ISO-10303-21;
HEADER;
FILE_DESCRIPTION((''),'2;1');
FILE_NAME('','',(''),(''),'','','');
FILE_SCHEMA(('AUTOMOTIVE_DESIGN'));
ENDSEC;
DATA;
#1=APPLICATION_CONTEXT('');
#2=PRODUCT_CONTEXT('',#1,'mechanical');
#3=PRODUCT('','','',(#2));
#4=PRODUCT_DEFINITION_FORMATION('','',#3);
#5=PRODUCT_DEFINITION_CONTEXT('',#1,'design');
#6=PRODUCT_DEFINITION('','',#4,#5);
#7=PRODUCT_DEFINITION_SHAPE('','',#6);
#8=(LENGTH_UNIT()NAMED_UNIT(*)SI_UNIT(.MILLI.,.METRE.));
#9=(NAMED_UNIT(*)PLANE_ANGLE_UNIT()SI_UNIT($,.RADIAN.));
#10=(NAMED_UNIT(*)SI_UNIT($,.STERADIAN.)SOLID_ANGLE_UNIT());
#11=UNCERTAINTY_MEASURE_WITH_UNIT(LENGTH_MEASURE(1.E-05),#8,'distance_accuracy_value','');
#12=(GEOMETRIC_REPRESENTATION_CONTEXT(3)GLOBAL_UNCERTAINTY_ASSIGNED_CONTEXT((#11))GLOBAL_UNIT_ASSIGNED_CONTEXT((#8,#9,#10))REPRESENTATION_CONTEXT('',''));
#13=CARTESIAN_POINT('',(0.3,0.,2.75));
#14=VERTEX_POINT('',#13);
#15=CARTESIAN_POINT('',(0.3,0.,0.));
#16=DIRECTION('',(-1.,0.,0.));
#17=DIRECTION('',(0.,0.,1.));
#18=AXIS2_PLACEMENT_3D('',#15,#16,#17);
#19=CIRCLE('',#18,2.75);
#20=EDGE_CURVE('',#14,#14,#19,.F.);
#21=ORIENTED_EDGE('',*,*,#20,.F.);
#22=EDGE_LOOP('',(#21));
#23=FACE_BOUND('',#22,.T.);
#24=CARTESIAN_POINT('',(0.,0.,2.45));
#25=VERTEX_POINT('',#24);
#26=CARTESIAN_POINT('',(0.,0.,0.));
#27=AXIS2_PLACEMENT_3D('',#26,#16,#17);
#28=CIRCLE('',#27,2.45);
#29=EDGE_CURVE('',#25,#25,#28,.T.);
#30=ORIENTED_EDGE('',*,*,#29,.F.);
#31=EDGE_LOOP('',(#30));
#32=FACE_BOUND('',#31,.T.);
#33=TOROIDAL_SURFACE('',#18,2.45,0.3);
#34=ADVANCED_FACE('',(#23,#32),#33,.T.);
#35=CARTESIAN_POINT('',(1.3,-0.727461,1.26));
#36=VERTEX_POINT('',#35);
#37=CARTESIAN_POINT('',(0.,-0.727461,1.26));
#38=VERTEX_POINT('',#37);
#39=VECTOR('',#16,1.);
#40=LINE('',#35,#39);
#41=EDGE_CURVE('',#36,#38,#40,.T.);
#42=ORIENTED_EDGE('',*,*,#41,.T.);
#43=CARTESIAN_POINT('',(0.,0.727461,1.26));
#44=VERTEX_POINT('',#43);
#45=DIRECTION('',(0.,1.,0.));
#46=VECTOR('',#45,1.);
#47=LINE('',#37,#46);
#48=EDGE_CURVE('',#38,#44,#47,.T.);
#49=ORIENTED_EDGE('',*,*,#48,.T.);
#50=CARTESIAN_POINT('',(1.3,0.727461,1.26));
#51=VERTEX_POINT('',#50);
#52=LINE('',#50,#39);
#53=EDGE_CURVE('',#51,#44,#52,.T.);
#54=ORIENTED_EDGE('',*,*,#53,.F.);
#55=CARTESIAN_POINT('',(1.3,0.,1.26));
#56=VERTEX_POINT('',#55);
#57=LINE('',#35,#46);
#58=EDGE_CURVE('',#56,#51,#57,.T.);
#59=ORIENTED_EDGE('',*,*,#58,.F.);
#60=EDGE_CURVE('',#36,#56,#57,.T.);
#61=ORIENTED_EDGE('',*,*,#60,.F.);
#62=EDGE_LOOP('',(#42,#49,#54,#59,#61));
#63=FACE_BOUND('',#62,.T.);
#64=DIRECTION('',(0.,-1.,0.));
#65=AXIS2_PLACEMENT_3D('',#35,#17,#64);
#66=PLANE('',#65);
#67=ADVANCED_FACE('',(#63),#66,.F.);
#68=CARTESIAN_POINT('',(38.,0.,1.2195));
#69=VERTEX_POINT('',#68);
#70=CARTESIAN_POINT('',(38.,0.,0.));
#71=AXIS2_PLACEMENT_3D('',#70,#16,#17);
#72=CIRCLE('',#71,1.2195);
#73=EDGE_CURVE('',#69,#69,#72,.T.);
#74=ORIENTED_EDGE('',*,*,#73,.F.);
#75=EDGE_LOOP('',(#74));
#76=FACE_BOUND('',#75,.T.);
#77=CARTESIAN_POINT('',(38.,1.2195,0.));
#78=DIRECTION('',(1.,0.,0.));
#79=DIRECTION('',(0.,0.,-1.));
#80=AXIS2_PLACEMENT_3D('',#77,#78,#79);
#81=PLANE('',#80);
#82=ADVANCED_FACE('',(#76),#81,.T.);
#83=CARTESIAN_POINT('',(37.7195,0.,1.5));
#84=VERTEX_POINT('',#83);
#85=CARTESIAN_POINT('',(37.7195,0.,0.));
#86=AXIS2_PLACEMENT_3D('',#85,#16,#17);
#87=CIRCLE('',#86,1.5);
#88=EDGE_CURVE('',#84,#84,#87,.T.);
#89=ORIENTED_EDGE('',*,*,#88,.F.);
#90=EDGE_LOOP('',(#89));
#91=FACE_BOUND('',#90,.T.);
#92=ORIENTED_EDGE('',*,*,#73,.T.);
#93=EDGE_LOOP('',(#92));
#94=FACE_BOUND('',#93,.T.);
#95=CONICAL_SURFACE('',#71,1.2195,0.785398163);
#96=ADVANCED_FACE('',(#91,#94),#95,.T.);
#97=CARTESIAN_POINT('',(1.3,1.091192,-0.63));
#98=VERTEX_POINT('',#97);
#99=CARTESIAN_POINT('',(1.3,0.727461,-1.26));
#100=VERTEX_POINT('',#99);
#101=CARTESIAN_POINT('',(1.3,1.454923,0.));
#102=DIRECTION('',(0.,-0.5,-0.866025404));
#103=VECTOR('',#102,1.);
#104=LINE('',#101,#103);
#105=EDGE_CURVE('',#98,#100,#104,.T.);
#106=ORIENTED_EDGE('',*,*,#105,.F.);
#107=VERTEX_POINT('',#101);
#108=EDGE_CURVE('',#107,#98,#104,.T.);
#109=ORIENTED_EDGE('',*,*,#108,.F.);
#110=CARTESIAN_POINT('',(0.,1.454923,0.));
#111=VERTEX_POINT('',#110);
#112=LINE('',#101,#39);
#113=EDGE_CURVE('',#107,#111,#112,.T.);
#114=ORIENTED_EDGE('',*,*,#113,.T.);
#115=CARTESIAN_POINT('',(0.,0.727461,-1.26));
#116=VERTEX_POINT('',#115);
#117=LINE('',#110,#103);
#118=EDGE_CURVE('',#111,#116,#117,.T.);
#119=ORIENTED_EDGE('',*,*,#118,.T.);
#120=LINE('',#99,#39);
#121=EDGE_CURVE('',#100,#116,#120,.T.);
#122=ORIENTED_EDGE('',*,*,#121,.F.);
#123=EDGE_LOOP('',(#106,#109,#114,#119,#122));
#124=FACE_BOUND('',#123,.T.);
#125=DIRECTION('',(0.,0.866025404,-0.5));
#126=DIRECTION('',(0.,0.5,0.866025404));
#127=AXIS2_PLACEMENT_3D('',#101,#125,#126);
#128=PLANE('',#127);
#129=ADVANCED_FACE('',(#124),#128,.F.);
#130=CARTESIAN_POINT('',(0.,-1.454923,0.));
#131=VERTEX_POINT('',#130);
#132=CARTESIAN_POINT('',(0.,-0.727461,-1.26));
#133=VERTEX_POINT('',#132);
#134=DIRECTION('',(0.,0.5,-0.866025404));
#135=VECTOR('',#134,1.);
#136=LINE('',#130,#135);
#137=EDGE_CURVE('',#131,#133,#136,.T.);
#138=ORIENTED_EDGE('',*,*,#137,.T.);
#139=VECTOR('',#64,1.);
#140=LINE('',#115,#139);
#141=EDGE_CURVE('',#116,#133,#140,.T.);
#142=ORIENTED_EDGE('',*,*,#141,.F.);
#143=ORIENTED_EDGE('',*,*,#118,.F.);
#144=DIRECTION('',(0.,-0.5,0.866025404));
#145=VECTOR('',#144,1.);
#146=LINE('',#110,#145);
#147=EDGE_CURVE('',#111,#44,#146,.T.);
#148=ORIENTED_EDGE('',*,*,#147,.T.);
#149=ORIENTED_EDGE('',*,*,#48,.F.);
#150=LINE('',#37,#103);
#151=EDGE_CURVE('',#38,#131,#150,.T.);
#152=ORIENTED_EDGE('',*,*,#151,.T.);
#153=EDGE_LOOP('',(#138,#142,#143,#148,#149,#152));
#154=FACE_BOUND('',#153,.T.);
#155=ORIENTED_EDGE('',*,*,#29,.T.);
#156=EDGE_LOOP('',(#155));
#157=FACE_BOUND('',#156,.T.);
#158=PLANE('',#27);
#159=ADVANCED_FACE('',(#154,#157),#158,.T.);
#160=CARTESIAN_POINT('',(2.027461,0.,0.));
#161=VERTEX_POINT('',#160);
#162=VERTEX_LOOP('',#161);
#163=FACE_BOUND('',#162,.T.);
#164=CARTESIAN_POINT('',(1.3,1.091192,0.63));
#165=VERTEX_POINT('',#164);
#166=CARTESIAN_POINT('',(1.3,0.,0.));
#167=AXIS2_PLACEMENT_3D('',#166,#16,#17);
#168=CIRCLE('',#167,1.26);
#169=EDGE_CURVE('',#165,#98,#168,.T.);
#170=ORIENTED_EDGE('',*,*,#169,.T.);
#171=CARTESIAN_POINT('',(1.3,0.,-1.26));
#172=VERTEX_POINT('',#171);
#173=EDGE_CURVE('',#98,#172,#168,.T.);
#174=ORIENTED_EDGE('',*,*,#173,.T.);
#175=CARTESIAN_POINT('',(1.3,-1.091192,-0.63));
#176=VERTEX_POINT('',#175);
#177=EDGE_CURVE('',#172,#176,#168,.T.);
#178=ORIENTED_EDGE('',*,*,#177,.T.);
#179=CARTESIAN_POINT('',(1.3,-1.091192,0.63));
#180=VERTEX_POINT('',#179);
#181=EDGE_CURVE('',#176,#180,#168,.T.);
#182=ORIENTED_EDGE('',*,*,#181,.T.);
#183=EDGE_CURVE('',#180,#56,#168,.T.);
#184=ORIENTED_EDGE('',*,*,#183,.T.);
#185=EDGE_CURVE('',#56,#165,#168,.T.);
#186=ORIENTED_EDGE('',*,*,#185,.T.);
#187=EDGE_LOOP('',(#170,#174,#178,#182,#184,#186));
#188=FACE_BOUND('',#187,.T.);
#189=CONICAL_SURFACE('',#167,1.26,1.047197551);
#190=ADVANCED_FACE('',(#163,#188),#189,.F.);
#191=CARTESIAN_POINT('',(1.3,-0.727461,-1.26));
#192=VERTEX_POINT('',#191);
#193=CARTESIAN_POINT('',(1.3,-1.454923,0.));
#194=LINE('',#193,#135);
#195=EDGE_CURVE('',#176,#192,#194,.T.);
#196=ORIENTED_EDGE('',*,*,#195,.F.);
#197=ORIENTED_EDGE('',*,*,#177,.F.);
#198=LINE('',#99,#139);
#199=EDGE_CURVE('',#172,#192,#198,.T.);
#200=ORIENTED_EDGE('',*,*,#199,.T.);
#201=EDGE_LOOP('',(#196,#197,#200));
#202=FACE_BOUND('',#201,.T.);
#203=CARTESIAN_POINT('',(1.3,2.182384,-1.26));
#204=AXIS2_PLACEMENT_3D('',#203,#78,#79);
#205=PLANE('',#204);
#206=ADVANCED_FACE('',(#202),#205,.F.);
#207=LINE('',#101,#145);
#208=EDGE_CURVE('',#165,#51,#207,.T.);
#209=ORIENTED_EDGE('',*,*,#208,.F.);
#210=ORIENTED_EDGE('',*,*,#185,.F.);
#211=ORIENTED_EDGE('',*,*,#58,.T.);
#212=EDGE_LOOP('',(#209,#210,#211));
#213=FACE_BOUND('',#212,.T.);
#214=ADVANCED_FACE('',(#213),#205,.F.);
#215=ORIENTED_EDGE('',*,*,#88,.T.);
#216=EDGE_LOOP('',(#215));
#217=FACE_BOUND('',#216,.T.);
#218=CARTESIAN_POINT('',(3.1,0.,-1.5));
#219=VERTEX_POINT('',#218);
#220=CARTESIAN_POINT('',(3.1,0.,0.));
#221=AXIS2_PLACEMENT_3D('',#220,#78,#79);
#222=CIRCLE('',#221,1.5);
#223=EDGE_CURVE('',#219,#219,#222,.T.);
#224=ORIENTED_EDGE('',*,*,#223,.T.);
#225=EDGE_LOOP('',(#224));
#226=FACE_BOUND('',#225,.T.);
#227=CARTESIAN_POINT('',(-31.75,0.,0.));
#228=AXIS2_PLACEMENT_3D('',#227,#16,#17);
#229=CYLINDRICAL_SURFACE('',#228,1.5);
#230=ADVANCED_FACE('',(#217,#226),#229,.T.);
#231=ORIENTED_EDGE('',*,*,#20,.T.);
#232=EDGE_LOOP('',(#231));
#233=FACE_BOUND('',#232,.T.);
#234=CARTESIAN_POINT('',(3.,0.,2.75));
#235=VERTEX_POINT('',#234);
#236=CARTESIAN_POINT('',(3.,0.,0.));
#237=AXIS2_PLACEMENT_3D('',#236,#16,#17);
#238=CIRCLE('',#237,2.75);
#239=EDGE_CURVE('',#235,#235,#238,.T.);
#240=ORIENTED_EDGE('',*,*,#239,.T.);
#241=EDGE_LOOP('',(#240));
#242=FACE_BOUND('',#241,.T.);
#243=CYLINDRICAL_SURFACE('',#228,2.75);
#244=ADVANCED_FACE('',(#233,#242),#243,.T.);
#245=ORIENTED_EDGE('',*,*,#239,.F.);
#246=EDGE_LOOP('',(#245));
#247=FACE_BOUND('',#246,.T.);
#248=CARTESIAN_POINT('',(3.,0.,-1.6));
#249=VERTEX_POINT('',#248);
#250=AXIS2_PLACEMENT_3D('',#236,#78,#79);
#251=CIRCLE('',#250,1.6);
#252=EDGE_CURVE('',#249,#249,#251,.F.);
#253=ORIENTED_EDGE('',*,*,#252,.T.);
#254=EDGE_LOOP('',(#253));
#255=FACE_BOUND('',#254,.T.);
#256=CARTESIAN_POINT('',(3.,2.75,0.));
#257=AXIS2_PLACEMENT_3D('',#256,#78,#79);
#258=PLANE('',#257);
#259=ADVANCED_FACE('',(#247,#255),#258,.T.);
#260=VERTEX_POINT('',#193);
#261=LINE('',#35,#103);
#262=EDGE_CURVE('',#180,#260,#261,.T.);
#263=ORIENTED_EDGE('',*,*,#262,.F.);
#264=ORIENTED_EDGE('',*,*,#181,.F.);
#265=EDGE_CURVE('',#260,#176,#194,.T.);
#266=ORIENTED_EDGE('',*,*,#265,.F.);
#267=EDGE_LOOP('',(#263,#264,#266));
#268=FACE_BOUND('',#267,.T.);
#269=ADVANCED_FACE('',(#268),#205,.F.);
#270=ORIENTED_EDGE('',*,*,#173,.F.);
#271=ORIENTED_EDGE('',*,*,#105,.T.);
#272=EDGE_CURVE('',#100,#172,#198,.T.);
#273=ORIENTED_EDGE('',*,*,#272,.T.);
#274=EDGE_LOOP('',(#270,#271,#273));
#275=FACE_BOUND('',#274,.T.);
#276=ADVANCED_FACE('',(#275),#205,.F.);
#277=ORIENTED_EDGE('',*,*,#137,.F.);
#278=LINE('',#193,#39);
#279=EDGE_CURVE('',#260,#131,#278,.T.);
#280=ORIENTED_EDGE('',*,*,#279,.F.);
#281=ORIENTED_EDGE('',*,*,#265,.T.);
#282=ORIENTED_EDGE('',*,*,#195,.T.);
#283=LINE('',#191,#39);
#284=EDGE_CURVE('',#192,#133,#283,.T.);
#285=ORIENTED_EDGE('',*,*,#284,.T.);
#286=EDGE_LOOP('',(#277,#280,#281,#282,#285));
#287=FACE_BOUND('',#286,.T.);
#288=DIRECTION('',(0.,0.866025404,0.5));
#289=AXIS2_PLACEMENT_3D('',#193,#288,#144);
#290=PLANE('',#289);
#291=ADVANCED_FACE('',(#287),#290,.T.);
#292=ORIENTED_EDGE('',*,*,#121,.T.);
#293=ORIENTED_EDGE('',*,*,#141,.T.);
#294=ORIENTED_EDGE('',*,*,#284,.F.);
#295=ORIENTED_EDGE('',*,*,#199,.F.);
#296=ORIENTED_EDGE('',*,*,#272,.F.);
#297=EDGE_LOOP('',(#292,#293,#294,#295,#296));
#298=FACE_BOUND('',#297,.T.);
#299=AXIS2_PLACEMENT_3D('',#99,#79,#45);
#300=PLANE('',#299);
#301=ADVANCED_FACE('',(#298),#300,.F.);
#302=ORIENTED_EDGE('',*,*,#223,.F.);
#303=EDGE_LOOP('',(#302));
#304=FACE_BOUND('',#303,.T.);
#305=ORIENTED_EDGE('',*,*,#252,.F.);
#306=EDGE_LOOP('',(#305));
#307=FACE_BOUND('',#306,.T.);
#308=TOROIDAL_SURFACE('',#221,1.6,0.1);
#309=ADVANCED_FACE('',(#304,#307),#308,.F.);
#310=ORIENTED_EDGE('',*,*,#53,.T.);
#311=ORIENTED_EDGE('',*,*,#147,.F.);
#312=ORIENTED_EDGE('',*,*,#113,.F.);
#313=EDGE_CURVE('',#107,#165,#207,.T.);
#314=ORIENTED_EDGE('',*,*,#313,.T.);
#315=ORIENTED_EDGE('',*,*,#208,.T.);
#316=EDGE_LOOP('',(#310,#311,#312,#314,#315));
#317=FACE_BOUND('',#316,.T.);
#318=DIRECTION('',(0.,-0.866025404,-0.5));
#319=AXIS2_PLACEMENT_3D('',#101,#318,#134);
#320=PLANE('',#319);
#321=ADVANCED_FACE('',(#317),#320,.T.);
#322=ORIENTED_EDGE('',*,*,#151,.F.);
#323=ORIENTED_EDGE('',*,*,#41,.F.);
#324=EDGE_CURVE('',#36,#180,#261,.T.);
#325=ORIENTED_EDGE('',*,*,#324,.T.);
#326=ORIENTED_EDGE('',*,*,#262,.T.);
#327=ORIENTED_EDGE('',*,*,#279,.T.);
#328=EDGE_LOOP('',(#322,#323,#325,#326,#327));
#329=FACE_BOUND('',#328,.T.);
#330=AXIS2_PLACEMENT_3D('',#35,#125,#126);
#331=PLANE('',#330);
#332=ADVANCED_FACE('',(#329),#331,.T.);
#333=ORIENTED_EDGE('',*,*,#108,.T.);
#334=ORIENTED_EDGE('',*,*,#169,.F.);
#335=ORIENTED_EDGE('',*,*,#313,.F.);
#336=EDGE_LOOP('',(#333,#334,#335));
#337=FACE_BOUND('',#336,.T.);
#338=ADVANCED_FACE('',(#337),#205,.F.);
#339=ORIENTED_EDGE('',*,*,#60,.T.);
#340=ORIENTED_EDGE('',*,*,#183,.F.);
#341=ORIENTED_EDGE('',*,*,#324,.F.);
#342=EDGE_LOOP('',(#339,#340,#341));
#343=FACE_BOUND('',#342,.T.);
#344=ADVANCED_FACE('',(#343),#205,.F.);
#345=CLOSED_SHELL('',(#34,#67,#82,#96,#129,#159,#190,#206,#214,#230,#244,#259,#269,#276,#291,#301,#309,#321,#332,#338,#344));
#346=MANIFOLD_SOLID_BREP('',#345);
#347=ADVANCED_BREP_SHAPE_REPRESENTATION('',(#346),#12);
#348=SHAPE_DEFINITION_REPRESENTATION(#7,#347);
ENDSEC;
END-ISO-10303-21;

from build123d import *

# Parameters (mm, degrees)
FILLET1_R   = 0.1
FILLET2_R   = 0.3
HEX_2_DEPTH = 1.3


with BuildPart() as part:
    # BodySke → Base-Revolve (revolve)
    with BuildSketch(Plane.XY):
        Polygon((0, 0), (0, 2.75), (3, 2.75), (3, 1.5), (37.7195, 1.5), (38, 1.2195), (38, 0), align=None)
    revolve(axis=Axis((-31.75, 0, 0), (1, 0, 0)))

    # Fillet1
    fillet1_edges = [part.edges().sort_by_distance(p)[0] for p in [
        (3, -1.5, 0),
    ]]
    fillet(fillet1_edges, radius=FILLET1_R)

    # Fillet2
    fillet2_edges = [part.edges().sort_by_distance(p)[0] for p in [
        (0, -2.75, 0),
    ]]
    fillet(fillet2_edges, radius=FILLET2_R)

    # Sketch2 → Hex-PreBroach (revolve, cut)
    with BuildSketch(Plane.XY):
        Polygon((0, 1.26), (1.3, 1.26), (2.027461339, 0), (0, 0), align=None)
    revolve(axis=Axis((0, 0, 0), (1, 0, 0)), mode=Mode.SUBTRACT)

    # Sketch3 → Hex 2 (cut)
    with BuildSketch(Plane(origin=(0, 0, 0), x_dir=(0, 0.5, 0.866025404), z_dir=(-1, 0, 0))):
        Polygon((0.727461339, 1.26), (-0.727461339, 1.26), (-1.454922678, 0), (-0.727461339, -1.26), (0.727461339, -1.26), (1.454922678, 0), align=None)
    extrude(amount=-HEX_2_DEPTH, mode=Mode.SUBTRACT)


solid = part.part
